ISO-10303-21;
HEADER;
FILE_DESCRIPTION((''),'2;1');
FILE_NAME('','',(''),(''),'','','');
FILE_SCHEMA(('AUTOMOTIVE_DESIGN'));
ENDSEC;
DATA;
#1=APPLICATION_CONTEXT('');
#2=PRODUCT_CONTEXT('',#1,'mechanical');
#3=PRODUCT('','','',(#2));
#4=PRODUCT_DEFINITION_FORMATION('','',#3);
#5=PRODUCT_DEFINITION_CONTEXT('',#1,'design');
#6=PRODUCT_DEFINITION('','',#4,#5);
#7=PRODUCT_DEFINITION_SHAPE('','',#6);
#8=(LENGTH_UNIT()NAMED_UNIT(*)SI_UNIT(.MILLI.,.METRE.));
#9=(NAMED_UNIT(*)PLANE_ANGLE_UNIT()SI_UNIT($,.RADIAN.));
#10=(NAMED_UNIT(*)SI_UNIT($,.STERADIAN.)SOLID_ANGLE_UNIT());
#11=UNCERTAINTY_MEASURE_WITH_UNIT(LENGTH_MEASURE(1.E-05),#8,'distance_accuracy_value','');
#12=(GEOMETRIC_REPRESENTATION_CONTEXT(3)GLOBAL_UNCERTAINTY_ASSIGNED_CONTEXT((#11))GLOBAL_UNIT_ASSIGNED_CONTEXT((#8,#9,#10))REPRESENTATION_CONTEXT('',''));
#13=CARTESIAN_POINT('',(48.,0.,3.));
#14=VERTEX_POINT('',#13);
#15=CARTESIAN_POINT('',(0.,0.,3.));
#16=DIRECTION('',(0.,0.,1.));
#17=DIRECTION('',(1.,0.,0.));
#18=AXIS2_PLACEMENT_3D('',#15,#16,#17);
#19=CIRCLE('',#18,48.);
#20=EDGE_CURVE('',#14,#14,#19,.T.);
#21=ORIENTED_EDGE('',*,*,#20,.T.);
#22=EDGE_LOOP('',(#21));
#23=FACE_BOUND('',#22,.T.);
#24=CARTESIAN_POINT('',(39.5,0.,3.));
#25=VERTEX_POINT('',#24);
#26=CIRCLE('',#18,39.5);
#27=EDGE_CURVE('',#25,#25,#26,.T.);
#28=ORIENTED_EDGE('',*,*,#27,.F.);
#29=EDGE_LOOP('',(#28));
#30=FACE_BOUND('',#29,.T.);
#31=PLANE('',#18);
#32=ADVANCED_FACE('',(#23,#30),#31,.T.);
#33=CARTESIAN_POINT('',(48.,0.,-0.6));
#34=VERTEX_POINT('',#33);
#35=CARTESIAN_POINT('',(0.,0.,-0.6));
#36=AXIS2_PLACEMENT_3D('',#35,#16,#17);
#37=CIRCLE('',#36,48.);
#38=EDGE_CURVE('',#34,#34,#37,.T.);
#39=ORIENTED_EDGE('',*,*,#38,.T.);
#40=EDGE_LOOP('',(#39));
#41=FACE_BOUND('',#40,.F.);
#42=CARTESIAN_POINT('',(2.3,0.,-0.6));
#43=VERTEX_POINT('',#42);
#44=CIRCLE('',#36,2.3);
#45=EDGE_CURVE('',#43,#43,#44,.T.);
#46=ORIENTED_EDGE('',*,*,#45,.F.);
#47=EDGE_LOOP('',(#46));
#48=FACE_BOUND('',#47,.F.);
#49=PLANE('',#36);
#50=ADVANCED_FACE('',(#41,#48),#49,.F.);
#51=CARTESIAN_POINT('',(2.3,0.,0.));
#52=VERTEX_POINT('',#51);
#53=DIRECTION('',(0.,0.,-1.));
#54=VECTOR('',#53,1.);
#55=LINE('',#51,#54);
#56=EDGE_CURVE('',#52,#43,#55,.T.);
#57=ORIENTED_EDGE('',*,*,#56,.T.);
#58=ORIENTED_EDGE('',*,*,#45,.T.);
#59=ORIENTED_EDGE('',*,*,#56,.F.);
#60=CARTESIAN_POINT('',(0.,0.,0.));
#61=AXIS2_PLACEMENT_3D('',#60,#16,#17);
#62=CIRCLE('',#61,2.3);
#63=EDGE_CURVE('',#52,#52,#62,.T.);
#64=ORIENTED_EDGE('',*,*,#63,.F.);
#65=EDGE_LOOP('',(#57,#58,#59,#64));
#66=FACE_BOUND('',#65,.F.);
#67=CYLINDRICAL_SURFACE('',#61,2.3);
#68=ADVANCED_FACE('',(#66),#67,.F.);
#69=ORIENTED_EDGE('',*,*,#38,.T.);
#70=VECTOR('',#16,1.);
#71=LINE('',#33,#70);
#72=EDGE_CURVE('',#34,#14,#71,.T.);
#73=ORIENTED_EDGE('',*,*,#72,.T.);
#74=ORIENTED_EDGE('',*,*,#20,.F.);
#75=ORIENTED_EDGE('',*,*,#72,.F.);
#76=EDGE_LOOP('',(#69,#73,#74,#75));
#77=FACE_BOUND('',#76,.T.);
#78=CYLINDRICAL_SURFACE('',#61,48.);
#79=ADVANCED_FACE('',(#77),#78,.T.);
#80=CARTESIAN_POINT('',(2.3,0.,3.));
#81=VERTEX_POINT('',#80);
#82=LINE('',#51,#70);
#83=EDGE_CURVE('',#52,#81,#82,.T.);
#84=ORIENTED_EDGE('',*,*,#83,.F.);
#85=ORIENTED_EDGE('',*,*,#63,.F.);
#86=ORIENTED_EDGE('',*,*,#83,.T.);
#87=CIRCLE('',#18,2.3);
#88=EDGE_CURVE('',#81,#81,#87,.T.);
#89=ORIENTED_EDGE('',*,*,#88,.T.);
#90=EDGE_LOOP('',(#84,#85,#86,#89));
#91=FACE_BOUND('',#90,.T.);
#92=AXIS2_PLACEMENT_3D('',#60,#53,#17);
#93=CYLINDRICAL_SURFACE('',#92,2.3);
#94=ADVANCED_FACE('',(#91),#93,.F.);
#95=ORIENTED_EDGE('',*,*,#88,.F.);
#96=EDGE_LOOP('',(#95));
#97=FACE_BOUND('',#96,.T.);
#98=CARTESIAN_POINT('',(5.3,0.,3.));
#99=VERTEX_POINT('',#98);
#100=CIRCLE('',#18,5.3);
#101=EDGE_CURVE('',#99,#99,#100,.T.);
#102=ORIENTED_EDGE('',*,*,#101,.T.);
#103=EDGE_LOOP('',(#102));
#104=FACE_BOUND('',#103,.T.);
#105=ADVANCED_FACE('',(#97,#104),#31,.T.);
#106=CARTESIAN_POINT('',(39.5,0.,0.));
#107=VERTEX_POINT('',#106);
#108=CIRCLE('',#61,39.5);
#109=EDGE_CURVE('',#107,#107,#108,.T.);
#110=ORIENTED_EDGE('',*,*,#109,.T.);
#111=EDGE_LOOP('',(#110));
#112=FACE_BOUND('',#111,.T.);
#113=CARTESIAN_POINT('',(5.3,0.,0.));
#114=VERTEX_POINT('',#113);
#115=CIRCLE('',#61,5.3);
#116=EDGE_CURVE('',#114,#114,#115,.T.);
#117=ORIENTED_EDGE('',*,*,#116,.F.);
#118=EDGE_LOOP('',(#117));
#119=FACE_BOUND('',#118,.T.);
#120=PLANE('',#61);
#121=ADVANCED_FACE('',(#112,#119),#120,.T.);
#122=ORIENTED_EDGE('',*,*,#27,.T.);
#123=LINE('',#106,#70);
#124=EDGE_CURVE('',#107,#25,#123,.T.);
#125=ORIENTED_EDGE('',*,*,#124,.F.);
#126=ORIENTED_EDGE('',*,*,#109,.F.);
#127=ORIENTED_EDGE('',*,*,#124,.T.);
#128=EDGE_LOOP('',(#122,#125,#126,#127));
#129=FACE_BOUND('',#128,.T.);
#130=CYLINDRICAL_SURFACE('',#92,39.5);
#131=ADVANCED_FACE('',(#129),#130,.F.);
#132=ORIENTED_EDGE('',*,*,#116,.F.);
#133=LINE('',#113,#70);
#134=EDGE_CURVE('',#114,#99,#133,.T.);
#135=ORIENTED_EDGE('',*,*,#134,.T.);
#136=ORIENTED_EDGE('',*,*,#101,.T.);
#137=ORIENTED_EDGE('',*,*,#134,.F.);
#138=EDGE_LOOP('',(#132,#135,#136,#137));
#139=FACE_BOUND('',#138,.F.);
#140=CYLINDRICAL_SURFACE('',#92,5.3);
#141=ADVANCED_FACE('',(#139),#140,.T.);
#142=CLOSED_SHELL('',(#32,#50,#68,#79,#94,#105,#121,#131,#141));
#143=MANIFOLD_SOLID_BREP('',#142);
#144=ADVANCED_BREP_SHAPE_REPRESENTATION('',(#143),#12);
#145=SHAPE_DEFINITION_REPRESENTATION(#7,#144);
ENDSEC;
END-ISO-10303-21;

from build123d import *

# Parameters (mm, degrees)
F0_R     = 48
F0_R_2   = 39.5
F0_R_3   = 5.3
F0_R_4   = 2.3
F1_DEPTH = 3
F2_DEPTH = 0.6


with BuildPart() as f1:
    # F0 (on Top) → F1 (new body)
    with BuildSketch(Plane.XY):
        Circle(F0_R)
        Circle(F0_R_2, mode=Mode.SUBTRACT)
        Circle(F0_R_3)
        Circle(F0_R_4, mode=Mode.SUBTRACT)
    extrude(amount=F1_DEPTH)

    # F0 (on Top) → F2 (join)
    with BuildSketch(Plane.XY):
        Circle(F0_R)
        Circle(F0_R_2, mode=Mode.SUBTRACT)
        Circle(F0_R_2)
        Circle(F0_R_3, mode=Mode.SUBTRACT)
        Circle(F0_R_3)
        Circle(F0_R_4, mode=Mode.SUBTRACT)
    extrude(amount=-F2_DEPTH)


solid = f1.part
